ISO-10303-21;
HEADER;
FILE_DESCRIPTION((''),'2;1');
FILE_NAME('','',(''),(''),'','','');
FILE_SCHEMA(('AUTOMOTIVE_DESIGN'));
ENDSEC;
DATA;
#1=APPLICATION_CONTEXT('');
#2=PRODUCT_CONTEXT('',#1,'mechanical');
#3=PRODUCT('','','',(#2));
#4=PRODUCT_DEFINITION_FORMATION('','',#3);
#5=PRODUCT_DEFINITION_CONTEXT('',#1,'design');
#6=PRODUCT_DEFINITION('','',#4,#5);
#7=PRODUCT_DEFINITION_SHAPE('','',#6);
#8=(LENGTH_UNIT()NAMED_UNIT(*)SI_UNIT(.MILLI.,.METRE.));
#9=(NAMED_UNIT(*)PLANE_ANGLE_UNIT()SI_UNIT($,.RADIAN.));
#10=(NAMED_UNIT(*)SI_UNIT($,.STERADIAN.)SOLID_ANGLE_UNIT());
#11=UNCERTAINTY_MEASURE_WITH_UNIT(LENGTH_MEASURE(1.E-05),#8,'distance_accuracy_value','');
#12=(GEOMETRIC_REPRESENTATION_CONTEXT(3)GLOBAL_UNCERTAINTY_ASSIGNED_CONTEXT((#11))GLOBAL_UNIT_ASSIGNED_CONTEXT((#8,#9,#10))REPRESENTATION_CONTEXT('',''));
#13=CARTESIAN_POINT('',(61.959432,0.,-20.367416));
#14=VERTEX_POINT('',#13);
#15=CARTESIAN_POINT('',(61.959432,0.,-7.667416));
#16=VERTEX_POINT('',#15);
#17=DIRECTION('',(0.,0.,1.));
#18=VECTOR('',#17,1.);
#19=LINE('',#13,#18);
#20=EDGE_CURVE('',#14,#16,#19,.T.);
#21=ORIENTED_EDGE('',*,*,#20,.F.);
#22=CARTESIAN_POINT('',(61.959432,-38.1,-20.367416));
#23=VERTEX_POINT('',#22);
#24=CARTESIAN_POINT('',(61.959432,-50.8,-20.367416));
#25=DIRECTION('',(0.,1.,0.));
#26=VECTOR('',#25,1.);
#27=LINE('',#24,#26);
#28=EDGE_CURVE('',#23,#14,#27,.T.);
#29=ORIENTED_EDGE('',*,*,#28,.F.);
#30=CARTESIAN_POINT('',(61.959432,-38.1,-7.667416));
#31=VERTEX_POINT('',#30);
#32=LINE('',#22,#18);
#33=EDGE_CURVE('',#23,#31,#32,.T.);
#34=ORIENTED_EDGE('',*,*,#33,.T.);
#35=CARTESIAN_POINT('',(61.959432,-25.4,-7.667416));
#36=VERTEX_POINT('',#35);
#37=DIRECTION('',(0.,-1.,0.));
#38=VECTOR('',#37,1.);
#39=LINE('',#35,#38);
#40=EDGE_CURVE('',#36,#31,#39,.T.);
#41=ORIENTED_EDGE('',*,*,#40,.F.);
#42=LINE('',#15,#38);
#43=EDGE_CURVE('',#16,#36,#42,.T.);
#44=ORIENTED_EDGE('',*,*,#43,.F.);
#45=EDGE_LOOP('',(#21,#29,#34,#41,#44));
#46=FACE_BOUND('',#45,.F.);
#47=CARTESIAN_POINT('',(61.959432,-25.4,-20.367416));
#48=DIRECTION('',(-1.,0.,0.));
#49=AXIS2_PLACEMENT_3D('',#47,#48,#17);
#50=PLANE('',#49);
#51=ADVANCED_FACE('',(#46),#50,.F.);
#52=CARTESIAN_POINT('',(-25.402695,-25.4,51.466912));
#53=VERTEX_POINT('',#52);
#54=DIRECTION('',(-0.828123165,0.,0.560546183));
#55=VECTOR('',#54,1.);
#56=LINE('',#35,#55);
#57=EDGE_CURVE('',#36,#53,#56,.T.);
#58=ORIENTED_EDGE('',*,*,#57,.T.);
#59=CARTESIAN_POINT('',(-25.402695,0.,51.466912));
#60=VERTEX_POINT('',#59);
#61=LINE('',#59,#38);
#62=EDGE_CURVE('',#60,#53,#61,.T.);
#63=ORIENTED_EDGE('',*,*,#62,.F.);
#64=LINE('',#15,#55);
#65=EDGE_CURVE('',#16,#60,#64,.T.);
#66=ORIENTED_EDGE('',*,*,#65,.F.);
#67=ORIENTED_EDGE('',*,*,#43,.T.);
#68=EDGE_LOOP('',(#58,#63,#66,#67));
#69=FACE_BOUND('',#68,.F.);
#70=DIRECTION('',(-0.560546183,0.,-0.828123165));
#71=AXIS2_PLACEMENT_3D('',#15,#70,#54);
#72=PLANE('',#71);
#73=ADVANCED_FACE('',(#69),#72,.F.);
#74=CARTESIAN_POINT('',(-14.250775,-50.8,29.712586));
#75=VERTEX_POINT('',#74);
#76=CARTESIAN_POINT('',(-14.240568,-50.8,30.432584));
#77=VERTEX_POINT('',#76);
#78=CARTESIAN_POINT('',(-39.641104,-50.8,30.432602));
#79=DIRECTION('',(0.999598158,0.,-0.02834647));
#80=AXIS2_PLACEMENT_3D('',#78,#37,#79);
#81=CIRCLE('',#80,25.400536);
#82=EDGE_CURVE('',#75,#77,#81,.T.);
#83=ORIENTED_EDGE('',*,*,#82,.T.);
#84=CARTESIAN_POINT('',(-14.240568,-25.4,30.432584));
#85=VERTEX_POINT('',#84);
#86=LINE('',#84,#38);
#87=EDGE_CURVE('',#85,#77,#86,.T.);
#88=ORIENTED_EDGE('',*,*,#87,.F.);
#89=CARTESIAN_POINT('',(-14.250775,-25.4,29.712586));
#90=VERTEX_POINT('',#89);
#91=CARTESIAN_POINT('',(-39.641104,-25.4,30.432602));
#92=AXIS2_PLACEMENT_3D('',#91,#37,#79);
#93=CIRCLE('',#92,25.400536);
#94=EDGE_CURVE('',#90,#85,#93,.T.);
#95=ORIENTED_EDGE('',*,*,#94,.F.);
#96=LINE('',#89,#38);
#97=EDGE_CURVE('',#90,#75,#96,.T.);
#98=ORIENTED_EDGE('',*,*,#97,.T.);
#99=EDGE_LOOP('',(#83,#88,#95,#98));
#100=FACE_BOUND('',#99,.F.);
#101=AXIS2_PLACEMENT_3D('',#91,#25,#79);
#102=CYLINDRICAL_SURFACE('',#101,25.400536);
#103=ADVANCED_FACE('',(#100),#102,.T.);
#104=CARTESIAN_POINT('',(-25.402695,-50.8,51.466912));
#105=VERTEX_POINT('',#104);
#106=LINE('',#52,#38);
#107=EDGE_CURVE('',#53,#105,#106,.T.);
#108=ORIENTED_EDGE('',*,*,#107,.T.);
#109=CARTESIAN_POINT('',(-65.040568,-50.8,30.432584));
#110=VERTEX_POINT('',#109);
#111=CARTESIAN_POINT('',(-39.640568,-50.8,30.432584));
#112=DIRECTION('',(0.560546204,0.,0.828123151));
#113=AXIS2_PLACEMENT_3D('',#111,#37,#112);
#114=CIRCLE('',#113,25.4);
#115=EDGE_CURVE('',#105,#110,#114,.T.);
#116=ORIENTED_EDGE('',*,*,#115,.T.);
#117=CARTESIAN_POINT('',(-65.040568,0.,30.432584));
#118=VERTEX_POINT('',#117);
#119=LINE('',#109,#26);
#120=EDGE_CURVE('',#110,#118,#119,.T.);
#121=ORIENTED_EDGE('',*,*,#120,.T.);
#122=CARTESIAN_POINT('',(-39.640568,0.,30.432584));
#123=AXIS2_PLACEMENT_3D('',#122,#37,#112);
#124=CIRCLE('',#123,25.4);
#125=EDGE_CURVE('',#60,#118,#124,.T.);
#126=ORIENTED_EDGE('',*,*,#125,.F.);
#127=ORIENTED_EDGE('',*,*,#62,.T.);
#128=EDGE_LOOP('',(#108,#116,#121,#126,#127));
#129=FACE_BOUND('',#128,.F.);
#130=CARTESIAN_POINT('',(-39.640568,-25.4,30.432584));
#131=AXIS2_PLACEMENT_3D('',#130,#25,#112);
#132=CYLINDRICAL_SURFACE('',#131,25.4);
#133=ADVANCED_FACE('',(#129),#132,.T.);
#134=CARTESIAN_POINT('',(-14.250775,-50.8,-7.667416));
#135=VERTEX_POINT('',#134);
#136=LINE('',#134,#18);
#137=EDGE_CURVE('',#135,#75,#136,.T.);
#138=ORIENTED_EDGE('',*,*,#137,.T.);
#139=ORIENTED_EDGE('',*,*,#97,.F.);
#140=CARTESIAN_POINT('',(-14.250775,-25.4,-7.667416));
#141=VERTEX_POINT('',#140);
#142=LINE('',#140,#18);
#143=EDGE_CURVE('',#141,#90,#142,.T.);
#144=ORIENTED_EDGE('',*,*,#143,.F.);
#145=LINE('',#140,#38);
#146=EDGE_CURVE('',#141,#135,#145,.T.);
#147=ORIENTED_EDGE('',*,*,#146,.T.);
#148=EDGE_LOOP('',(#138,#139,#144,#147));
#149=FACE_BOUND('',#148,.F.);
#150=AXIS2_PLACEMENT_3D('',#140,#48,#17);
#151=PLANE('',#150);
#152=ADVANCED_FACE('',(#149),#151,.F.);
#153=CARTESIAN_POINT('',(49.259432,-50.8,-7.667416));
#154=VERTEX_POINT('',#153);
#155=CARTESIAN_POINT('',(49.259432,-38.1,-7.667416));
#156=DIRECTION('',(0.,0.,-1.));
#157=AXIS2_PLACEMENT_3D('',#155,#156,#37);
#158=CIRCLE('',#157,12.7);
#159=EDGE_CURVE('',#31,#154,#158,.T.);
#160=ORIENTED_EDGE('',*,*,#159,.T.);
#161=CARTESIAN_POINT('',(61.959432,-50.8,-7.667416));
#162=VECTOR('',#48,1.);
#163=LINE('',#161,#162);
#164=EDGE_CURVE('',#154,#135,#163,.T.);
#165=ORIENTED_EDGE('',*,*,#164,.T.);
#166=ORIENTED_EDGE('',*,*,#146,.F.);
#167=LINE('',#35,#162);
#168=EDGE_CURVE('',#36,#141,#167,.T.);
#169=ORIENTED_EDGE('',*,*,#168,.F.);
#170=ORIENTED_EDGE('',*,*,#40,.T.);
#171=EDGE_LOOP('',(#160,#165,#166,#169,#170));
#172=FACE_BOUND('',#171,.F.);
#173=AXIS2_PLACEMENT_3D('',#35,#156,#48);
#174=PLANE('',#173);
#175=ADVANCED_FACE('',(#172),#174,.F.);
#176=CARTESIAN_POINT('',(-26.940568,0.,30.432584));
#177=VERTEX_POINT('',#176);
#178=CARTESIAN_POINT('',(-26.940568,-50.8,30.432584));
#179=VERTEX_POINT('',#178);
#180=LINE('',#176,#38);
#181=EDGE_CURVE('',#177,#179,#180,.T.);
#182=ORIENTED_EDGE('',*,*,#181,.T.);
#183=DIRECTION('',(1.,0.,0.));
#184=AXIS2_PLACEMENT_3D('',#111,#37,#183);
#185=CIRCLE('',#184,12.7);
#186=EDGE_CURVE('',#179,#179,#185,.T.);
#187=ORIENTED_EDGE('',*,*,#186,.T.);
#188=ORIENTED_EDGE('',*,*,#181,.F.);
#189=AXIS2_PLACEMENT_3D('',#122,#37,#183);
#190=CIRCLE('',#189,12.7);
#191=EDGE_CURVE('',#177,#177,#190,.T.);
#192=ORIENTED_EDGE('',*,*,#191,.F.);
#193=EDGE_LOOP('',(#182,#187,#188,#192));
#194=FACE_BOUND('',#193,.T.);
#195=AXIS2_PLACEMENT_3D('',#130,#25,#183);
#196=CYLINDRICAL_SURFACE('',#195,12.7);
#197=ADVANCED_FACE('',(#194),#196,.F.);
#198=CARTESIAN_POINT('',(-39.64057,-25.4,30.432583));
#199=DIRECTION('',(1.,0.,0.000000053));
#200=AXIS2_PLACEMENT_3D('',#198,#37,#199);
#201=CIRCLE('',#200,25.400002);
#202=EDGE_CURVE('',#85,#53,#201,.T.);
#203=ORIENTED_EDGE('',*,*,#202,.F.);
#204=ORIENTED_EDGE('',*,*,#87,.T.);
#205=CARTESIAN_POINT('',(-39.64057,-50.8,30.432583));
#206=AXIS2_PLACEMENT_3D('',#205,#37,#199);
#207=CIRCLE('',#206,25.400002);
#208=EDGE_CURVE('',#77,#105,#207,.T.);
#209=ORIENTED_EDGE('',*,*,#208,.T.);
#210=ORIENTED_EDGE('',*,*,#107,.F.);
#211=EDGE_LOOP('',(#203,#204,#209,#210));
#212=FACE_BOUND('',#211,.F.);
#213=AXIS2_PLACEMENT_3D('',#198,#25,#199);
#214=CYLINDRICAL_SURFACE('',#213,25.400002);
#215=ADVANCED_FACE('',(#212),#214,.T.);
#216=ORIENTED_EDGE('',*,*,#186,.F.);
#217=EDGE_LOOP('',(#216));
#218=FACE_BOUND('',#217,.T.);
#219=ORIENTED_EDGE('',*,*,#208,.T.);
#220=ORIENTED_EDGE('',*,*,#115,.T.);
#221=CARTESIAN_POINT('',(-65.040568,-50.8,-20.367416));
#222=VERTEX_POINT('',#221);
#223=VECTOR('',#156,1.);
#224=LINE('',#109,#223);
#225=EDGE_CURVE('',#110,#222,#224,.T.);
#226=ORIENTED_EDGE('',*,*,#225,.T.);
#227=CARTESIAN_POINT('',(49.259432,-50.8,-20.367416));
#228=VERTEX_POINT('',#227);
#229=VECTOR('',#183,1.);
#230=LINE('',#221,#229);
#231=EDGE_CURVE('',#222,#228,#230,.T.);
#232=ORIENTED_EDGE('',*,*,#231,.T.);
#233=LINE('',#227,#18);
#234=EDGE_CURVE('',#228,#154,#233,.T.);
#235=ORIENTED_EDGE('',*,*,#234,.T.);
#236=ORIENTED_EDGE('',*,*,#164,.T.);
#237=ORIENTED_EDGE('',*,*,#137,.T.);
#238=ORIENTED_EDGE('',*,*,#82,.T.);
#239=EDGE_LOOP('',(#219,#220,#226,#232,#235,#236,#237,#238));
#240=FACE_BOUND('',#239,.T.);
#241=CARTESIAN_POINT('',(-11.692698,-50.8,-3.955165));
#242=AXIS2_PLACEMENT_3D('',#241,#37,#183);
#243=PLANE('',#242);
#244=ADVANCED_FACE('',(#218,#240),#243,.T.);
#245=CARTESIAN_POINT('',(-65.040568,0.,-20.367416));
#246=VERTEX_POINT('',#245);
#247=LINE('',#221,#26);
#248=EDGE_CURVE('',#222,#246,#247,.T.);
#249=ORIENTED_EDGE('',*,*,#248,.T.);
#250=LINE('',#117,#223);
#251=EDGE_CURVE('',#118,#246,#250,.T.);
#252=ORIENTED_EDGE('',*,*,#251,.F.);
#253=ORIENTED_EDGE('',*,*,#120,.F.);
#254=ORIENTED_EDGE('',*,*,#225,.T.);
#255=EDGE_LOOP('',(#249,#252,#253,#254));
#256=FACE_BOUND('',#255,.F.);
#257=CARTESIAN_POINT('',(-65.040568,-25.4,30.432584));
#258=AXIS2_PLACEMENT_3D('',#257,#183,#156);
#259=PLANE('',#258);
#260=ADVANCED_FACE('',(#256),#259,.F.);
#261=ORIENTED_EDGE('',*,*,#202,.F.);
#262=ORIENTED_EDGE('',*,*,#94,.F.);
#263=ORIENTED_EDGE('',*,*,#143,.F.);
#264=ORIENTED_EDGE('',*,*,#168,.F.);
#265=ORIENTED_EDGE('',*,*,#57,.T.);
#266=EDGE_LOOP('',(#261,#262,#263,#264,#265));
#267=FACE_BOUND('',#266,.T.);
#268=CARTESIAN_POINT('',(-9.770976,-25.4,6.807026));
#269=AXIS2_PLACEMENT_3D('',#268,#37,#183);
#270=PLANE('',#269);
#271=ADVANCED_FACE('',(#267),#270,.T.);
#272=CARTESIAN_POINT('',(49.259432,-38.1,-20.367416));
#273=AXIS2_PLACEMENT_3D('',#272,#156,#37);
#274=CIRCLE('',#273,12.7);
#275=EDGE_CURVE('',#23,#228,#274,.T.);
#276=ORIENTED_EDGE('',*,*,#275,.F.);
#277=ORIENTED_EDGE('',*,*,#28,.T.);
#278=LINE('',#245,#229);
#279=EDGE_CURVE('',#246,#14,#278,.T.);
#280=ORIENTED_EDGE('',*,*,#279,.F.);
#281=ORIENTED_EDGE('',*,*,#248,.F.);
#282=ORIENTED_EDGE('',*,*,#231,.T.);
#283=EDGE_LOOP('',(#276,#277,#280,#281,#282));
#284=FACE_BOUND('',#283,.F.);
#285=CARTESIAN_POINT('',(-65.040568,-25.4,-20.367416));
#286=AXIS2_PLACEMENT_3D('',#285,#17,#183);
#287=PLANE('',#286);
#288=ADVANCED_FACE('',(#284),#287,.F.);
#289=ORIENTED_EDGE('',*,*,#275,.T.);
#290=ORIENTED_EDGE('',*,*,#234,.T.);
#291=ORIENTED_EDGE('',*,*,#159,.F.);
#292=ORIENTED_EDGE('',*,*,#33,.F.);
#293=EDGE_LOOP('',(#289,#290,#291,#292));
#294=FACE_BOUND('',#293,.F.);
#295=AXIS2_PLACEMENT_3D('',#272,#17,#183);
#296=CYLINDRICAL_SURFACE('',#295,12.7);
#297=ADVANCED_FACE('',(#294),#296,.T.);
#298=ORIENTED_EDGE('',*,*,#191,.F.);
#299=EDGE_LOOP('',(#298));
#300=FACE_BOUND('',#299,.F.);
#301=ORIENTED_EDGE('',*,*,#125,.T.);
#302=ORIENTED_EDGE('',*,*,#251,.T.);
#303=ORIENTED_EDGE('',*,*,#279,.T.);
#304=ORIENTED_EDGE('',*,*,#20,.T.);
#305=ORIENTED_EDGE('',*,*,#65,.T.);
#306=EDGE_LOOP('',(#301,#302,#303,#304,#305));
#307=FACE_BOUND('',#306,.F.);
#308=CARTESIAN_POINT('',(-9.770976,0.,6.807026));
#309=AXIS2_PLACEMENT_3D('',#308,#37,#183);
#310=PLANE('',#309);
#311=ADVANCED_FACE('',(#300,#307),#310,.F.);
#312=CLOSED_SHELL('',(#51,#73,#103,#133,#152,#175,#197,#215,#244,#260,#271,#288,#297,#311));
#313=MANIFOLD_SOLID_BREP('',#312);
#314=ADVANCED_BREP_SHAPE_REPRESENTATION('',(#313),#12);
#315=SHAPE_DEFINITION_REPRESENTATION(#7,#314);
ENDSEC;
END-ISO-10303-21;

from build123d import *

# Parameters (mm, degrees)
F0_R     = 12.7
F1_DEPTH = 25.4
F2_R     = 12.7
F3_DEPTH = 25.4
F4_DEPTH = 25.4
F5_DEPTH = 25.4
F6_R     = 12.7


with BuildPart() as f1:
    # F0 (on Front) → F1 (new body)
    with BuildSketch(Plane.XZ):
        with BuildLine():
            Line((61.959432, -7.667416), (-25.402695, 51.466912))
            ThreePointArc((-25.402695, 51.466912), (-51.546828, 52.869183), (-65.040568, 30.432584))
            Line((-65.040568, 30.432584), (-65.040568, -20.367416))
            Line((-65.040568, -20.367416), (61.959432, -20.367416))
            Line((61.959432, -20.367416), (61.959432, -7.667416))
        make_face()
        with Locations((-39.640568, 30.432584)):
            Circle(F0_R, mode=Mode.SUBTRACT)
    extrude(amount=F1_DEPTH)

    # F2 (on face) → F3 (join)
    with BuildSketch(Plane.XZ.offset(25.4)):
        with BuildLine():
            ThreePointArc((-14.240568, 30.432584), (-17.203969, 42.338843), (-25.402695, 51.466912))
            ThreePointArc((-25.402695, 51.466912), (-51.546828, 52.869183), (-65.040568, 30.432584))
            ThreePointArc((-65.040568, 30.432584), (-40.000603, 5.035136), (-14.250775, 29.712586))
            ThreePointArc((-14.250775, 29.712586), (-14.24312, 30.072549), (-14.240568, 30.432584))
        make_face()
        with Locations((-39.640568, 30.432584)):
            Circle(F2_R, mode=Mode.SUBTRACT)
    extrude(amount=F3_DEPTH)

    # F2 (on face) → F4 (join)
    with BuildSketch(Plane.XZ.offset(25.4)):
        with BuildLine():
            ThreePointArc((-14.240568, 30.432584), (-17.203969, 42.338843), (-25.402695, 51.466912))
            ThreePointArc((-25.402695, 51.466912), (-51.546828, 52.869183), (-65.040568, 30.432584))
            ThreePointArc((-65.040568, 30.432584), (-40.000603, 5.035136), (-14.250775, 29.712586))
            ThreePointArc((-14.250775, 29.712586), (-14.24312, 30.072549), (-14.240568, 30.432584))
        make_face()
        with Locations((-39.640568, 30.432584)):
            Circle(F2_R, mode=Mode.SUBTRACT)
    extrude(amount=F4_DEPTH)

    # F2 (on face) → F5 (join)
    with BuildSketch(Plane.XZ.offset(25.4)):
        with BuildLine():
            Line((61.959432, -20.367416), (61.959432, -7.667416))
            Line((61.959432, -7.667416), (-14.250775, -7.667416))
            Line((-14.250775, -7.667416), (-14.250775, 29.712586))
            ThreePointArc((-14.250775, 29.712586), (-40.000603, 5.035136), (-65.040568, 30.432584))
            Line((-65.040568, 30.432584), (-65.040568, -7.667416))
            Line((-65.040568, -7.667416), (-65.040568, -20.367416))
            Line((-65.040568, -20.367416), (61.959432, -20.367416))
        make_face()
        with BuildLine():
            ThreePointArc((-14.240568, 30.432584), (-17.203969, 42.338843), (-25.402695, 51.466912))
            ThreePointArc((-25.402695, 51.466912), (-51.546828, 52.869183), (-65.040568, 30.432584))
            ThreePointArc((-65.040568, 30.432584), (-40.000603, 5.035136), (-14.250775, 29.712586))
            ThreePointArc((-14.250775, 29.712586), (-14.24312, 30.072549), (-14.240568, 30.432584))
        make_face()
        with Locations((-39.640568, 30.432584)):
            Circle(F2_R, mode=Mode.SUBTRACT)
    extrude(amount=F5_DEPTH)

    # F6
    f6_edges = [f1.edges().sort_by_distance(p)[0] for p in [
        (61.959432, -50.8, -14.017416),
    ]]
    fillet(f6_edges, radius=F6_R)


solid = f1.part
